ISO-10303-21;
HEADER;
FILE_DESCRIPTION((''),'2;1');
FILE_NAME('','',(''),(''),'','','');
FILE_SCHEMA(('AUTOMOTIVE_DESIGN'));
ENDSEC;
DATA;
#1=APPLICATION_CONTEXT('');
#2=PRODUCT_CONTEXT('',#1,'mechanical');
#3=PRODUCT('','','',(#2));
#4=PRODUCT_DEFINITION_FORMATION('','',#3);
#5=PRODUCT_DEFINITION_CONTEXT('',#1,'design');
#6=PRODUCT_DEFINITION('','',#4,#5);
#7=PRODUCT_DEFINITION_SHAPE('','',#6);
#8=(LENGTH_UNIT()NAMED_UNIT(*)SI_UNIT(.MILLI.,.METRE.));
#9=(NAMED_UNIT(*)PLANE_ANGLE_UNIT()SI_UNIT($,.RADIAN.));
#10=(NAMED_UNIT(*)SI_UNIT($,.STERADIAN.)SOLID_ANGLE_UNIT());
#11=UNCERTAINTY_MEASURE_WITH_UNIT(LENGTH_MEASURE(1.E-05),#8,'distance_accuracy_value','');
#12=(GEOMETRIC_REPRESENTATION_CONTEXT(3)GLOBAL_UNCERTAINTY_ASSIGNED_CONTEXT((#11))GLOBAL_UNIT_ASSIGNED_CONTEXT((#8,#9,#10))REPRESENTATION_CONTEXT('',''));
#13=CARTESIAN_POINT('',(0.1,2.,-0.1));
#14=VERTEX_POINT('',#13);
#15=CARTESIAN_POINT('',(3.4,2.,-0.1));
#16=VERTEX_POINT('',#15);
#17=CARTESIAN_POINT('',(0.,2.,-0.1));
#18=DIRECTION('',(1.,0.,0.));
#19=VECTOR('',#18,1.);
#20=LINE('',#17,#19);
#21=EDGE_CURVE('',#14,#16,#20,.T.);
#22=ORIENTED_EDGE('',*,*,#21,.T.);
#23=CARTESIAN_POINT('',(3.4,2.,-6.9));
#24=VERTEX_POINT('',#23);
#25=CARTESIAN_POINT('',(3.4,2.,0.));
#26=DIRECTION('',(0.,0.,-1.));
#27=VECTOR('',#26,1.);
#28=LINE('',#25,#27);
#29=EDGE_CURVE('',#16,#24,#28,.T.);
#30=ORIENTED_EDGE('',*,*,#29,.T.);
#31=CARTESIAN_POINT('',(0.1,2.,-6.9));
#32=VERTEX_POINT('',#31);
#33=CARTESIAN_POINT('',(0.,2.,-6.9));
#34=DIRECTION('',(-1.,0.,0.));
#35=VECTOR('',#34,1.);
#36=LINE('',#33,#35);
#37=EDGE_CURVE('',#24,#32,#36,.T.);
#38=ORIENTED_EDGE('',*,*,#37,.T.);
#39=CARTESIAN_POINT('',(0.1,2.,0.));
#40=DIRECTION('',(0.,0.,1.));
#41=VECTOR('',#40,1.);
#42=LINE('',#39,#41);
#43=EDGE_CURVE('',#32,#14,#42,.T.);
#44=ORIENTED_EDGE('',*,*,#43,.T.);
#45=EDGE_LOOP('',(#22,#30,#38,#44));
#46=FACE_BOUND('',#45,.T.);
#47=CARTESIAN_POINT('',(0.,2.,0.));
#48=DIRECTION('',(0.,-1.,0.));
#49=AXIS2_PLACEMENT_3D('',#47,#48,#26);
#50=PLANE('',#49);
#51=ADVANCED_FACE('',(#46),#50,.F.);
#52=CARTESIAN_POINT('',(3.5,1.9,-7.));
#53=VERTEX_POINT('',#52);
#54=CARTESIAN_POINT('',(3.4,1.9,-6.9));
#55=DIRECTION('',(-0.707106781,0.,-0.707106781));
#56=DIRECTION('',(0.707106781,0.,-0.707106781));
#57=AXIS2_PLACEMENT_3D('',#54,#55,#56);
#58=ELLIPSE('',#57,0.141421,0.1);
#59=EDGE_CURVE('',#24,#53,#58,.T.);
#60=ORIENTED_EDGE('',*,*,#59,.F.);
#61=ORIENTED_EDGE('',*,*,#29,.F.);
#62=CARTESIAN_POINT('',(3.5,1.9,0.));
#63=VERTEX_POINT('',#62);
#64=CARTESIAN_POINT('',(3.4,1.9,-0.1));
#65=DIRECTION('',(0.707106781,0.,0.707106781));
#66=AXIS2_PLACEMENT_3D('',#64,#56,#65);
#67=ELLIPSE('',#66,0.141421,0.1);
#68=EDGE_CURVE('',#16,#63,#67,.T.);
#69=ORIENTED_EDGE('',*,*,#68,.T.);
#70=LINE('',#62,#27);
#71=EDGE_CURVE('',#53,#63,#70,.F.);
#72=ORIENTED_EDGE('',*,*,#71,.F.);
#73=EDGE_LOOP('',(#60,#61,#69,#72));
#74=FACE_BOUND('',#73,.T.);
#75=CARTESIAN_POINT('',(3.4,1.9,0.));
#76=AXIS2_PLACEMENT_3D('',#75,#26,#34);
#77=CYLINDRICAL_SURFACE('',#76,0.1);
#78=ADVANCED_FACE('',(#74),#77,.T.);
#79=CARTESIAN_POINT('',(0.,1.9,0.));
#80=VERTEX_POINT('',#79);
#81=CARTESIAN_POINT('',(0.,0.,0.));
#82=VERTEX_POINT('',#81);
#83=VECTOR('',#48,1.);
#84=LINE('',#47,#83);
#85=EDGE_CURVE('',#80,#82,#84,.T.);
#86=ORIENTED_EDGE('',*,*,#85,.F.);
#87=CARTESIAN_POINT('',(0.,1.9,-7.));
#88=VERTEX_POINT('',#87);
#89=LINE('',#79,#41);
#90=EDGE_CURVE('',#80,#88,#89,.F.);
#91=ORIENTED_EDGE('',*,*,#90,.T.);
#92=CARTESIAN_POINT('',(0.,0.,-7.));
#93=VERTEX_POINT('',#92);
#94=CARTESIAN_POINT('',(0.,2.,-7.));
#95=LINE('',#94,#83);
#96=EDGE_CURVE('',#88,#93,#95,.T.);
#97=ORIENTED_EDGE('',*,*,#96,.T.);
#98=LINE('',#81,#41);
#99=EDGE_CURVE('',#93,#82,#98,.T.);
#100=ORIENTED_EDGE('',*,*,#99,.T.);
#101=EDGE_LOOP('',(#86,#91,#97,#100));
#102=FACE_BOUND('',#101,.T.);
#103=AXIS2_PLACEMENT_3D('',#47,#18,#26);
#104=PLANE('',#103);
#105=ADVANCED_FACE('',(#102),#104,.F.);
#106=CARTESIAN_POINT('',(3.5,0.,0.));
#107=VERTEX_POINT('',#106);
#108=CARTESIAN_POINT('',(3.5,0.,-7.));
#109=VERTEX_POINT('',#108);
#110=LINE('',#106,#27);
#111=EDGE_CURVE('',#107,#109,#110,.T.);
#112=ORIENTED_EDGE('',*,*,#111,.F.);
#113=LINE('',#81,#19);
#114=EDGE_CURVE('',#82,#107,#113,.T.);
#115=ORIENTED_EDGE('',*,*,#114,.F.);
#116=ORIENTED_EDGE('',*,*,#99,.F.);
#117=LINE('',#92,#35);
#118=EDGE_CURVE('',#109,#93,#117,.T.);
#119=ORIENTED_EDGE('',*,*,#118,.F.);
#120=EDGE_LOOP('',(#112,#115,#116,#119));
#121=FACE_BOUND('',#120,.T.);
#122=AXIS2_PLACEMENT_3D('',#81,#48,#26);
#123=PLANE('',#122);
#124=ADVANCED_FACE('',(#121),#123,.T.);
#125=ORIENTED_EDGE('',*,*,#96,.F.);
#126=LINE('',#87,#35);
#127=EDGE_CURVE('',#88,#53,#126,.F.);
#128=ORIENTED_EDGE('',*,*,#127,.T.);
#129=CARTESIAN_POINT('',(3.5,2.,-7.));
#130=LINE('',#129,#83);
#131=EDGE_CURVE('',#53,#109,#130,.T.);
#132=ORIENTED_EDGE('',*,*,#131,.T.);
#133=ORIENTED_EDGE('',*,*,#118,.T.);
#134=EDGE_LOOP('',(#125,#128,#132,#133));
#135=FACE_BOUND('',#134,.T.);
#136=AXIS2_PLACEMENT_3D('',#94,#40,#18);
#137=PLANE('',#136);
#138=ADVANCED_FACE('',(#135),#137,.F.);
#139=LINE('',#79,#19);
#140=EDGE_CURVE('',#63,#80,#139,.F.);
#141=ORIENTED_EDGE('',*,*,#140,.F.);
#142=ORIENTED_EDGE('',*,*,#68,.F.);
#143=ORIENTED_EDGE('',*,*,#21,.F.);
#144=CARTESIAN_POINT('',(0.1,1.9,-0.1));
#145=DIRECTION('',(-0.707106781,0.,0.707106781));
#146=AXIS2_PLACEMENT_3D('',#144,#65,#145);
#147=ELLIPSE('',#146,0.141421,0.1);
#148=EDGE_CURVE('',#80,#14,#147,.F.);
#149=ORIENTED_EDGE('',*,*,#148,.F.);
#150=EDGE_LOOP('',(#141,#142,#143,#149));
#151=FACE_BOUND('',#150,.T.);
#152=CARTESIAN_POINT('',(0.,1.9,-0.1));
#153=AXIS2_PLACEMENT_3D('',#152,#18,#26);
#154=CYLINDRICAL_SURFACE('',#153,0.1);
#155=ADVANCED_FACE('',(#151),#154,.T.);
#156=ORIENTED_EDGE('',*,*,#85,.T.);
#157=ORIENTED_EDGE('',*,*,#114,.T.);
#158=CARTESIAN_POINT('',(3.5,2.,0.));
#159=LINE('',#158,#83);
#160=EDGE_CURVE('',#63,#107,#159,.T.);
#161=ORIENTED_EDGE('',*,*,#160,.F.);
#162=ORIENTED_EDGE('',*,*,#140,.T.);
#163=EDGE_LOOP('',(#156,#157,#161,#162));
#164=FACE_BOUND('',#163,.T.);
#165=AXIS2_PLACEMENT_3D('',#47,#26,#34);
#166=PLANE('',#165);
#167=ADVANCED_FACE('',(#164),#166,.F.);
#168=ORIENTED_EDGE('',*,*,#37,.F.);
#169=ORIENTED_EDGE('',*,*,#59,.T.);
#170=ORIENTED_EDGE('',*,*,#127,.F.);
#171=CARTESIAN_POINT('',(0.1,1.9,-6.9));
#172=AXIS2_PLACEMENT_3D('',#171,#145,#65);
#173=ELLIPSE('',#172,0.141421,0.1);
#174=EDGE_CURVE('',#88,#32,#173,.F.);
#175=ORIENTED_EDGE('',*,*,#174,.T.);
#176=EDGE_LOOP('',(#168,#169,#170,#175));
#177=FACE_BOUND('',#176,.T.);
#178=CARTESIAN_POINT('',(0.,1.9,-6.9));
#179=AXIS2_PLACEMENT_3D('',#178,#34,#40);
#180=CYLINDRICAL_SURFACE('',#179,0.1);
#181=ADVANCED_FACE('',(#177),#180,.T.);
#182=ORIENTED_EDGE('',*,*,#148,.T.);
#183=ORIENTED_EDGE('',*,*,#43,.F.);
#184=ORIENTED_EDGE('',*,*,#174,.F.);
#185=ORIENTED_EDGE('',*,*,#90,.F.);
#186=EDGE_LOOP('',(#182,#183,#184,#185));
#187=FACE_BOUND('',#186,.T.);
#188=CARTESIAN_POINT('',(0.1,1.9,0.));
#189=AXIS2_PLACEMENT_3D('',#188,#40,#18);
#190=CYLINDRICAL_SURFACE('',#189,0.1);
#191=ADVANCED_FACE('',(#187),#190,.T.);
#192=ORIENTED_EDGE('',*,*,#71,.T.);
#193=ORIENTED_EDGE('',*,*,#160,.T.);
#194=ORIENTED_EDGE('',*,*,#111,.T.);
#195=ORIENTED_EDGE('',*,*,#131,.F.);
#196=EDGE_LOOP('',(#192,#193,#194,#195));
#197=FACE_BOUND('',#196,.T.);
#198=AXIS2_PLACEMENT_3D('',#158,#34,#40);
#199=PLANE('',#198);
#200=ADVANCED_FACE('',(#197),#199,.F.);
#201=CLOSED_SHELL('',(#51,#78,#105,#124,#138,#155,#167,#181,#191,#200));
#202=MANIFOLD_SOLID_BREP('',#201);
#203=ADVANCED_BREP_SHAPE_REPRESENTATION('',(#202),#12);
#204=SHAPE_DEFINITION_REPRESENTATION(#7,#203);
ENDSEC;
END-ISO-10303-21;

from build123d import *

# Parameters (mm, degrees)
SKETCH1_W           = 3.5
SKETCH1_H           = 7
BOSS_EXTRUDE1_DEPTH = 2
FILLET1_R           = 0.1


with BuildPart() as part:
    # Sketch1 → Boss-Extrude1 (new body)
    with BuildSketch(Plane(origin=(0, 0, 0), x_dir=(1, 0, 0), z_dir=(0, 1, 0))):
        with Locations((1.75, 3.5)):
            Rectangle(SKETCH1_W, SKETCH1_H)
    extrude(amount=BOSS_EXTRUDE1_DEPTH)

    # Fillet1
    fillet1_edges = [part.edges().sort_by_distance(p)[0] for p in [
        (3.5, 2, -3.5),
        (1.75, 2, -7),
        (0, 2, -3.5),
        (1.75, 2, 0),
    ]]
    fillet(fillet1_edges, radius=FILLET1_R)


solid = part.part
